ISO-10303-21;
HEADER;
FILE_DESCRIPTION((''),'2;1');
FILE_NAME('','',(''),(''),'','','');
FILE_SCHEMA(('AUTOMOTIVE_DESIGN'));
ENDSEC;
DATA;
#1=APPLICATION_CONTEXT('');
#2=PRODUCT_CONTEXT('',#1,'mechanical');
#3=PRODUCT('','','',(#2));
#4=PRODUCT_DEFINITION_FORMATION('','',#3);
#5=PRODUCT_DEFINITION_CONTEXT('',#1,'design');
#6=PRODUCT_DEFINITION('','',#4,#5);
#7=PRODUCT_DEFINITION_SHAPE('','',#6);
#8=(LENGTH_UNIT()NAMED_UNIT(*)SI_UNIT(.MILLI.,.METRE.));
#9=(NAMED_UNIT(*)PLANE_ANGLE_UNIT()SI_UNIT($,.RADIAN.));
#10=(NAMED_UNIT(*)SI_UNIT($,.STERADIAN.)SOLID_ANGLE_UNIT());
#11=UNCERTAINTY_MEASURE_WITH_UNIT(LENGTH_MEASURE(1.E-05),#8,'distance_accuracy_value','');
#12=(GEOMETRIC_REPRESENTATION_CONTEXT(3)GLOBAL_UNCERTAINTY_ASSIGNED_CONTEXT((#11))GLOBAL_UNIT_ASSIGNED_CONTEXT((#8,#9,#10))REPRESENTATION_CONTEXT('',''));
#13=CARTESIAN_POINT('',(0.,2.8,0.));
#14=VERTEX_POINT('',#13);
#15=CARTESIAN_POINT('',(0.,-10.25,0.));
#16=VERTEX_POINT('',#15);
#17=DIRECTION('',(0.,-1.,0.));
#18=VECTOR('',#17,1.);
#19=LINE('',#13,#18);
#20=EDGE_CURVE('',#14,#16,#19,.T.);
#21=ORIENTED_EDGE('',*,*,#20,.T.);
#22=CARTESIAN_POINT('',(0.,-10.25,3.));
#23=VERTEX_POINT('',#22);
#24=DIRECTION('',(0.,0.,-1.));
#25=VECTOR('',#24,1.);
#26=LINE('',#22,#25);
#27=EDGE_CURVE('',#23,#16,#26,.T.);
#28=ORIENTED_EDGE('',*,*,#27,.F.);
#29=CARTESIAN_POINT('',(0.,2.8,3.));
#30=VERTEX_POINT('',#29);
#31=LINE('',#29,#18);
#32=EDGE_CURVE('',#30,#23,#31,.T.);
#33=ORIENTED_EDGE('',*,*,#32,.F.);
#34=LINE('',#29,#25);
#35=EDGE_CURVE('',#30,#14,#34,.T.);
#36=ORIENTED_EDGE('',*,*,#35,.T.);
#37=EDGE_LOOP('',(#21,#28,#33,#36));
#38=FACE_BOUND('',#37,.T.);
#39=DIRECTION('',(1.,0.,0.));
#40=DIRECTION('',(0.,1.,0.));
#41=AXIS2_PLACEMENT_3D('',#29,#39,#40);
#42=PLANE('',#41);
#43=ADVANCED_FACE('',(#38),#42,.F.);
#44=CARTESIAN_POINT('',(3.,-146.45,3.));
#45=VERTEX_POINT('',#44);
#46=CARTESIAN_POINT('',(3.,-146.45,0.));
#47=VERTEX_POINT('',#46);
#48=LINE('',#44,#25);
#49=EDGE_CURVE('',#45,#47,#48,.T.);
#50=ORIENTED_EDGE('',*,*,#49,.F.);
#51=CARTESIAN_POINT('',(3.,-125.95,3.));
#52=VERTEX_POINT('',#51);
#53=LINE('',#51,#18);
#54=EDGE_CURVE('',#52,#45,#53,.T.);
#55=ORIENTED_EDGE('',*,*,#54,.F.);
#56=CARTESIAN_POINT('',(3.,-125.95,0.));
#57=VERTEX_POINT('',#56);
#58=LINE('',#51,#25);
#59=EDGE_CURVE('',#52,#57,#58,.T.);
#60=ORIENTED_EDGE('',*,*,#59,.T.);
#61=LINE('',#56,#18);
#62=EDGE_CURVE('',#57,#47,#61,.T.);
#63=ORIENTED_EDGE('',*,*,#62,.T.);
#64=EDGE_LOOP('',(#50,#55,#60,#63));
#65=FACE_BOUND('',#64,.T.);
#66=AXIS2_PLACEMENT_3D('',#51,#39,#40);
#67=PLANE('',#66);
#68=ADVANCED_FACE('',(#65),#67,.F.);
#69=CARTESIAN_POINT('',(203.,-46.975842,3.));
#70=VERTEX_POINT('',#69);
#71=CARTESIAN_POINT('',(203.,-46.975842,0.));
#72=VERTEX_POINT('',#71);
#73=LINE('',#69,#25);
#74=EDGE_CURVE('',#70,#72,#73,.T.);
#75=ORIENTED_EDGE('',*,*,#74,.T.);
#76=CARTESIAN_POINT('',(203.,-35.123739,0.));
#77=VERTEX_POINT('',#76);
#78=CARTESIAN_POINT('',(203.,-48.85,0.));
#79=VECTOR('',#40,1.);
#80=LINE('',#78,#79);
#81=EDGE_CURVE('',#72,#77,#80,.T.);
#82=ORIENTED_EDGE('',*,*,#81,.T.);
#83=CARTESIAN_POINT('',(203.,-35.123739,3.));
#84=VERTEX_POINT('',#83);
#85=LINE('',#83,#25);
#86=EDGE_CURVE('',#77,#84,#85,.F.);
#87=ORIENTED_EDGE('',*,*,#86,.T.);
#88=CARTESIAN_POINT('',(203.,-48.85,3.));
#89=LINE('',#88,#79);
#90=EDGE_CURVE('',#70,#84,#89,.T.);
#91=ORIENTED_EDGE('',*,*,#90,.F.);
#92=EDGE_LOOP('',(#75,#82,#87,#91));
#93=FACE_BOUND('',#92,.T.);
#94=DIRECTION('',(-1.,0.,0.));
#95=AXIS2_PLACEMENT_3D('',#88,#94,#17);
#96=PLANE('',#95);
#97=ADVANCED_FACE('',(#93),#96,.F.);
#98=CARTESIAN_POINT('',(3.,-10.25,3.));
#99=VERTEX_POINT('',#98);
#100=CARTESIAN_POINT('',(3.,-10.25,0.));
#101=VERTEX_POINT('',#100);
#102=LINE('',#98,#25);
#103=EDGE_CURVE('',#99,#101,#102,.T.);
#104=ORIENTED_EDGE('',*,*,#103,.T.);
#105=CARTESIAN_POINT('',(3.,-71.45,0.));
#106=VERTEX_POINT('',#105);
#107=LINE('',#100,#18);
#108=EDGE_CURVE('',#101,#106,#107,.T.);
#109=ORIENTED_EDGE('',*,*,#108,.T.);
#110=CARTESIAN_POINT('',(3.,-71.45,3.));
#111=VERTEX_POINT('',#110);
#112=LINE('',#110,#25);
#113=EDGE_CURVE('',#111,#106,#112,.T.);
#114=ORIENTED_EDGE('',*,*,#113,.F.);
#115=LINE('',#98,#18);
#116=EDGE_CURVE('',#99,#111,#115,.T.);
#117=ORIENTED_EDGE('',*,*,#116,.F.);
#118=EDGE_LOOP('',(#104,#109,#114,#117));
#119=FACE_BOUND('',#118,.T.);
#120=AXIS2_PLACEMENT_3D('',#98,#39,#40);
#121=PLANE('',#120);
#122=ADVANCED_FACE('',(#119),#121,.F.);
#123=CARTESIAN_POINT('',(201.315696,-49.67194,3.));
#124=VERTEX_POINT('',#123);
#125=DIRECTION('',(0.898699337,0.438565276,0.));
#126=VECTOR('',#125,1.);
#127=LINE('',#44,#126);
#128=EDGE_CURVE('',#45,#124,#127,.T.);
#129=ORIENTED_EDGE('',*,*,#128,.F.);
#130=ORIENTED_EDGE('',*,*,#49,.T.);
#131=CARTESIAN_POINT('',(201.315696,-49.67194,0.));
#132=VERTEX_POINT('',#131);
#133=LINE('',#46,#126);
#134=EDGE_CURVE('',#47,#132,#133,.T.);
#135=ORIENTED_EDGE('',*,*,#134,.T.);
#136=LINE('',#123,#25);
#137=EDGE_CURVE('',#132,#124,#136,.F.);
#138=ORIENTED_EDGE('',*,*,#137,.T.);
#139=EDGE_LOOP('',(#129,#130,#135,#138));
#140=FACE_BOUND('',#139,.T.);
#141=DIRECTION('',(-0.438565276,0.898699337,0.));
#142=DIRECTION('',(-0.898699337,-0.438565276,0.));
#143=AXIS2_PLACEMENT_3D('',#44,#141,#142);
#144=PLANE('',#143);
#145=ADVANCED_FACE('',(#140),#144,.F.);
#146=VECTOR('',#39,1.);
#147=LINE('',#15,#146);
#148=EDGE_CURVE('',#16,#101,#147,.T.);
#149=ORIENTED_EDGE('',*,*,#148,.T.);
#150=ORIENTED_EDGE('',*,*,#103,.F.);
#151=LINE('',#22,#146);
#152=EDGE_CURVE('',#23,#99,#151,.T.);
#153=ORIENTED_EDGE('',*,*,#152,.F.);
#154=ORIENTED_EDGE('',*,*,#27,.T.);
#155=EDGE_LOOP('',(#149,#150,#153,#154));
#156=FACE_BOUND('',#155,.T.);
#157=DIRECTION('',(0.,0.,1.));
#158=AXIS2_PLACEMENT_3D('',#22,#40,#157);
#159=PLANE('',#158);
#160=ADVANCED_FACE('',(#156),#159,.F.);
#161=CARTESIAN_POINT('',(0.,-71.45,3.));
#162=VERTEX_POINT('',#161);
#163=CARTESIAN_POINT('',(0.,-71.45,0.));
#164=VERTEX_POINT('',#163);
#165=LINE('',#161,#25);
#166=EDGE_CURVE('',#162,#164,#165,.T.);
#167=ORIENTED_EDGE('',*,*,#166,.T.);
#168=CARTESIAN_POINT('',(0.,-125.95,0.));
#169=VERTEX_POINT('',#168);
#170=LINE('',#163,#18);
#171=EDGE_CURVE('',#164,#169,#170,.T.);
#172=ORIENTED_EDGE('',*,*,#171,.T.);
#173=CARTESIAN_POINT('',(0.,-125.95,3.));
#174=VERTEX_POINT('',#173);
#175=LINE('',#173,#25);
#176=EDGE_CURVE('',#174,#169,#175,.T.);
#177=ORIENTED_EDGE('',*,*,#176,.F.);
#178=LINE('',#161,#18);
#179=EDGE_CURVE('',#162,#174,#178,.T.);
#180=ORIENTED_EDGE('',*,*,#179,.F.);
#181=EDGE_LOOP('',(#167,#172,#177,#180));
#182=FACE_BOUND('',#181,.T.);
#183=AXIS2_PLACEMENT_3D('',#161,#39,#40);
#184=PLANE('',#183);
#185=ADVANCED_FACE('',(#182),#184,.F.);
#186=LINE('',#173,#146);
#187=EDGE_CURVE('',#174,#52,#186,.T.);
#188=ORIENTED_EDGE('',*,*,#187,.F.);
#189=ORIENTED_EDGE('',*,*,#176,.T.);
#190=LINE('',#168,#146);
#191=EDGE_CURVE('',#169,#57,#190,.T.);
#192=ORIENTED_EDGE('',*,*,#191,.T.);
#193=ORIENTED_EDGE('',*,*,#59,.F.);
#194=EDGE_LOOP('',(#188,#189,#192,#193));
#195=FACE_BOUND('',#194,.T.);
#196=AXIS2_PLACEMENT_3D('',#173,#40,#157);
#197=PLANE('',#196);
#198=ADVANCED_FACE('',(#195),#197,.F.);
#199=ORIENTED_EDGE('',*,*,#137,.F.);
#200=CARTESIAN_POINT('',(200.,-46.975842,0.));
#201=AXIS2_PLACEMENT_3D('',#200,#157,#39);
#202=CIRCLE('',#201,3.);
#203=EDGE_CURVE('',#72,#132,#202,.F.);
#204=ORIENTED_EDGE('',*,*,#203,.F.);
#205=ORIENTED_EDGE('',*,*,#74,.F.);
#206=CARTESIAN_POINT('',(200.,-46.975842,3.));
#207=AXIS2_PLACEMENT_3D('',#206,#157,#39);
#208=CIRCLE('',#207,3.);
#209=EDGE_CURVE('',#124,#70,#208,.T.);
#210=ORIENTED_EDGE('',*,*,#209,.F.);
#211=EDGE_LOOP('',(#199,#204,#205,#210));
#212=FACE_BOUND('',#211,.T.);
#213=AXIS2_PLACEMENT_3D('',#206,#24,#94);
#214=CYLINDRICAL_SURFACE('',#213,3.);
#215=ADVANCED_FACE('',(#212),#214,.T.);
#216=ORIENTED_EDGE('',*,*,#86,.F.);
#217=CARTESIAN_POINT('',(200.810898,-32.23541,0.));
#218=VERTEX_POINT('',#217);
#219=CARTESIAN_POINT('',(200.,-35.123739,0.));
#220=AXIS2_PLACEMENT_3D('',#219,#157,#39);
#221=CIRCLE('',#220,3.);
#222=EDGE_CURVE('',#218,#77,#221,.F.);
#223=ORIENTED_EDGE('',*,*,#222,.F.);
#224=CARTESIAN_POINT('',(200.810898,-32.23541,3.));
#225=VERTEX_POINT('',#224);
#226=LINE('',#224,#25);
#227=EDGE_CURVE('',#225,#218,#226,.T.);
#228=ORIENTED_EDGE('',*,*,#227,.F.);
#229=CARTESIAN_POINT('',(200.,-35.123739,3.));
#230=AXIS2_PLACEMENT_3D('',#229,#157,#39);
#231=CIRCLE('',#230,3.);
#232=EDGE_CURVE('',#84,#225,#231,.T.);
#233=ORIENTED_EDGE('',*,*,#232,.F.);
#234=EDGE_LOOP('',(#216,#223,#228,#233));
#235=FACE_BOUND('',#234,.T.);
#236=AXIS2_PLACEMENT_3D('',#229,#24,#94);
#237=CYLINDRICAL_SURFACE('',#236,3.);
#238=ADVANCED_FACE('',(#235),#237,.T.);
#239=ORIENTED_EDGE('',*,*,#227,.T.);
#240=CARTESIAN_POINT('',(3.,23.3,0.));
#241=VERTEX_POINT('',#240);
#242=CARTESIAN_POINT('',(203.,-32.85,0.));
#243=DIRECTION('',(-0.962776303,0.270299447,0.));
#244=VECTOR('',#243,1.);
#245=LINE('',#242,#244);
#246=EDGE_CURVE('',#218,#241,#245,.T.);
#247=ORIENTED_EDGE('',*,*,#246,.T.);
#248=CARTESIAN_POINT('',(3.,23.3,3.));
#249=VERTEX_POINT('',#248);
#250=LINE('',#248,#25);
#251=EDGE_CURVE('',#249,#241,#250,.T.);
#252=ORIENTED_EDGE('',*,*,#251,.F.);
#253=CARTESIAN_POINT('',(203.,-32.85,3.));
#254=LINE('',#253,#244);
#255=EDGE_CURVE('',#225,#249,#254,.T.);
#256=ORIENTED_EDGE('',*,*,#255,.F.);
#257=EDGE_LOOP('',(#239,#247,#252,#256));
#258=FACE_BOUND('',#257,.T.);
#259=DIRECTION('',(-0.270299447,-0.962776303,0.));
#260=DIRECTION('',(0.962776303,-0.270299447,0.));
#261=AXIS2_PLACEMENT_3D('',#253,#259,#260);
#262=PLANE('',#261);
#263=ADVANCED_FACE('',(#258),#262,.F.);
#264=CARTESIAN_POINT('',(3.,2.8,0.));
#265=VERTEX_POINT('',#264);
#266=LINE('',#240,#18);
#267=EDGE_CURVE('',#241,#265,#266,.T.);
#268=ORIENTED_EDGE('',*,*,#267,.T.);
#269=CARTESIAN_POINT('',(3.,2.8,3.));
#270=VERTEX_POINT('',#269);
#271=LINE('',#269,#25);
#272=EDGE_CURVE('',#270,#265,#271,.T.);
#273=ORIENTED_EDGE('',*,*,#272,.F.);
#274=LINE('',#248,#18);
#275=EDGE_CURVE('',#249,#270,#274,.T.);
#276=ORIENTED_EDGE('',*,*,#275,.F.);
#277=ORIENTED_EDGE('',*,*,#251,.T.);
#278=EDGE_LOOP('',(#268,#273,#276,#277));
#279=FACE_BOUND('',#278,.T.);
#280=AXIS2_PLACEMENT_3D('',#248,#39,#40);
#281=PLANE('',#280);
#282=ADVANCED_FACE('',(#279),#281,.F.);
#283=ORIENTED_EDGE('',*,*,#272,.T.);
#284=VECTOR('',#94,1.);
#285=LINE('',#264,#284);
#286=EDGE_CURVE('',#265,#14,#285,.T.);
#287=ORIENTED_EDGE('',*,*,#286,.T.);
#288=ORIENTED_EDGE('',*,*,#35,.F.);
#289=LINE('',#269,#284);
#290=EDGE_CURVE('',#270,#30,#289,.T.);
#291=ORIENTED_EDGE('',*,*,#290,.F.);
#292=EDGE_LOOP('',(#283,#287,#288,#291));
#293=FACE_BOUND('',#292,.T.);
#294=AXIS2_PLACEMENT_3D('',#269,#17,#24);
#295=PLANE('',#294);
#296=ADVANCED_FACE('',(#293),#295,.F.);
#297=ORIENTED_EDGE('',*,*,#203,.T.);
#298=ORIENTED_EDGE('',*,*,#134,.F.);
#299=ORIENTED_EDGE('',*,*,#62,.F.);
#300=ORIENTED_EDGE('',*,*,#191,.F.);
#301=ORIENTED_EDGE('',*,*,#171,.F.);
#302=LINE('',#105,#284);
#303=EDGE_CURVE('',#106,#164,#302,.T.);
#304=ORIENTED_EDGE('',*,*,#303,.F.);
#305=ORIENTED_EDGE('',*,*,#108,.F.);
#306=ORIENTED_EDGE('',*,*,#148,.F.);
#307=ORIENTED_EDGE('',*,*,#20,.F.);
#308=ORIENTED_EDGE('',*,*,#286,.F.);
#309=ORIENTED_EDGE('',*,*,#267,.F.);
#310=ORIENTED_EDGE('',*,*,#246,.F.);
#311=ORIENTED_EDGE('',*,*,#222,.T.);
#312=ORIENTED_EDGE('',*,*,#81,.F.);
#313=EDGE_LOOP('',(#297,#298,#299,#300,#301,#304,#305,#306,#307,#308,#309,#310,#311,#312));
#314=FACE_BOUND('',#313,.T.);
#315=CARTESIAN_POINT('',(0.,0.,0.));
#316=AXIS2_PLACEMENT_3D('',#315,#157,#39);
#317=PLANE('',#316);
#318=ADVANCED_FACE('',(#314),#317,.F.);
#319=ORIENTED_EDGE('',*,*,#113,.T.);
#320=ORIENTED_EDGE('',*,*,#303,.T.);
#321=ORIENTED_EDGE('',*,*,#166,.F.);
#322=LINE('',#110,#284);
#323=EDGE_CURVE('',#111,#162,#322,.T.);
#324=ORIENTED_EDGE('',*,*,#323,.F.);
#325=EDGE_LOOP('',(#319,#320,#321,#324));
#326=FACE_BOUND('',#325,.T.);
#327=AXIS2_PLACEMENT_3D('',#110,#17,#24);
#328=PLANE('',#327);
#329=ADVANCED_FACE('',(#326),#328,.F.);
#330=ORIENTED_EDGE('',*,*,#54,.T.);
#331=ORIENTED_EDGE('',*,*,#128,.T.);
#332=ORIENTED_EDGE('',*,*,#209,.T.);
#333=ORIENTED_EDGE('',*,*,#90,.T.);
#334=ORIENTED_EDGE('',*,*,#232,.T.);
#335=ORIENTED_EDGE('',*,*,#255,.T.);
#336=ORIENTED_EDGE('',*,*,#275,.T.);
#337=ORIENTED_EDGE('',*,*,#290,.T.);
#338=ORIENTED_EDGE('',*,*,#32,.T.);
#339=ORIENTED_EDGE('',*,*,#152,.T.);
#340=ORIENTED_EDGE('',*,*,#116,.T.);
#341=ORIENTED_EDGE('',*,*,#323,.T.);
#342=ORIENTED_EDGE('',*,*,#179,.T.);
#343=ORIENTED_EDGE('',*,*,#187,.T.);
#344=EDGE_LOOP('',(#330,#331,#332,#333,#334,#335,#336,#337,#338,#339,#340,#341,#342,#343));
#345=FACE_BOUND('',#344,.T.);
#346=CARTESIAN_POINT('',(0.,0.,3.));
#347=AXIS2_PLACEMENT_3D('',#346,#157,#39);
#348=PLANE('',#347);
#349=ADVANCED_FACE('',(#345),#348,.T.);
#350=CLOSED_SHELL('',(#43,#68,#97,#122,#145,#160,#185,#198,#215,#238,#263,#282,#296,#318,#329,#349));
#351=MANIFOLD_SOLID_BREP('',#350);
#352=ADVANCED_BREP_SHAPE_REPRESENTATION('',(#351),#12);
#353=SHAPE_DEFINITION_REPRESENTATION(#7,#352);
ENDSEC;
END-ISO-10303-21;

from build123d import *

# Parameters (mm, degrees)
BOSS_EXTRUDE1_DEPTH = 3
FILLET1_R           = 3


with BuildPart() as part:
    # Sketch1 → Boss-Extrude1 (new body)
    with BuildSketch(Plane.XY):
        Polygon((203, -32.85), (3, 23.3), (3, 2.8), (0, 2.8), (0, -10.25), (3, -10.25), (3, -71.45), (0, -71.45), (0, -125.95), (3, -125.95), (3, -146.45), (203, -48.85), align=None)
    extrude(amount=BOSS_EXTRUDE1_DEPTH)

    # Fillet1
    fillet1_edges = [part.edges().sort_by_distance(p)[0] for p in [
        (203, -48.85, 1.5),
        (203, -32.85, 1.5),
    ]]
    fillet(fillet1_edges, radius=FILLET1_R)


solid = part.part
